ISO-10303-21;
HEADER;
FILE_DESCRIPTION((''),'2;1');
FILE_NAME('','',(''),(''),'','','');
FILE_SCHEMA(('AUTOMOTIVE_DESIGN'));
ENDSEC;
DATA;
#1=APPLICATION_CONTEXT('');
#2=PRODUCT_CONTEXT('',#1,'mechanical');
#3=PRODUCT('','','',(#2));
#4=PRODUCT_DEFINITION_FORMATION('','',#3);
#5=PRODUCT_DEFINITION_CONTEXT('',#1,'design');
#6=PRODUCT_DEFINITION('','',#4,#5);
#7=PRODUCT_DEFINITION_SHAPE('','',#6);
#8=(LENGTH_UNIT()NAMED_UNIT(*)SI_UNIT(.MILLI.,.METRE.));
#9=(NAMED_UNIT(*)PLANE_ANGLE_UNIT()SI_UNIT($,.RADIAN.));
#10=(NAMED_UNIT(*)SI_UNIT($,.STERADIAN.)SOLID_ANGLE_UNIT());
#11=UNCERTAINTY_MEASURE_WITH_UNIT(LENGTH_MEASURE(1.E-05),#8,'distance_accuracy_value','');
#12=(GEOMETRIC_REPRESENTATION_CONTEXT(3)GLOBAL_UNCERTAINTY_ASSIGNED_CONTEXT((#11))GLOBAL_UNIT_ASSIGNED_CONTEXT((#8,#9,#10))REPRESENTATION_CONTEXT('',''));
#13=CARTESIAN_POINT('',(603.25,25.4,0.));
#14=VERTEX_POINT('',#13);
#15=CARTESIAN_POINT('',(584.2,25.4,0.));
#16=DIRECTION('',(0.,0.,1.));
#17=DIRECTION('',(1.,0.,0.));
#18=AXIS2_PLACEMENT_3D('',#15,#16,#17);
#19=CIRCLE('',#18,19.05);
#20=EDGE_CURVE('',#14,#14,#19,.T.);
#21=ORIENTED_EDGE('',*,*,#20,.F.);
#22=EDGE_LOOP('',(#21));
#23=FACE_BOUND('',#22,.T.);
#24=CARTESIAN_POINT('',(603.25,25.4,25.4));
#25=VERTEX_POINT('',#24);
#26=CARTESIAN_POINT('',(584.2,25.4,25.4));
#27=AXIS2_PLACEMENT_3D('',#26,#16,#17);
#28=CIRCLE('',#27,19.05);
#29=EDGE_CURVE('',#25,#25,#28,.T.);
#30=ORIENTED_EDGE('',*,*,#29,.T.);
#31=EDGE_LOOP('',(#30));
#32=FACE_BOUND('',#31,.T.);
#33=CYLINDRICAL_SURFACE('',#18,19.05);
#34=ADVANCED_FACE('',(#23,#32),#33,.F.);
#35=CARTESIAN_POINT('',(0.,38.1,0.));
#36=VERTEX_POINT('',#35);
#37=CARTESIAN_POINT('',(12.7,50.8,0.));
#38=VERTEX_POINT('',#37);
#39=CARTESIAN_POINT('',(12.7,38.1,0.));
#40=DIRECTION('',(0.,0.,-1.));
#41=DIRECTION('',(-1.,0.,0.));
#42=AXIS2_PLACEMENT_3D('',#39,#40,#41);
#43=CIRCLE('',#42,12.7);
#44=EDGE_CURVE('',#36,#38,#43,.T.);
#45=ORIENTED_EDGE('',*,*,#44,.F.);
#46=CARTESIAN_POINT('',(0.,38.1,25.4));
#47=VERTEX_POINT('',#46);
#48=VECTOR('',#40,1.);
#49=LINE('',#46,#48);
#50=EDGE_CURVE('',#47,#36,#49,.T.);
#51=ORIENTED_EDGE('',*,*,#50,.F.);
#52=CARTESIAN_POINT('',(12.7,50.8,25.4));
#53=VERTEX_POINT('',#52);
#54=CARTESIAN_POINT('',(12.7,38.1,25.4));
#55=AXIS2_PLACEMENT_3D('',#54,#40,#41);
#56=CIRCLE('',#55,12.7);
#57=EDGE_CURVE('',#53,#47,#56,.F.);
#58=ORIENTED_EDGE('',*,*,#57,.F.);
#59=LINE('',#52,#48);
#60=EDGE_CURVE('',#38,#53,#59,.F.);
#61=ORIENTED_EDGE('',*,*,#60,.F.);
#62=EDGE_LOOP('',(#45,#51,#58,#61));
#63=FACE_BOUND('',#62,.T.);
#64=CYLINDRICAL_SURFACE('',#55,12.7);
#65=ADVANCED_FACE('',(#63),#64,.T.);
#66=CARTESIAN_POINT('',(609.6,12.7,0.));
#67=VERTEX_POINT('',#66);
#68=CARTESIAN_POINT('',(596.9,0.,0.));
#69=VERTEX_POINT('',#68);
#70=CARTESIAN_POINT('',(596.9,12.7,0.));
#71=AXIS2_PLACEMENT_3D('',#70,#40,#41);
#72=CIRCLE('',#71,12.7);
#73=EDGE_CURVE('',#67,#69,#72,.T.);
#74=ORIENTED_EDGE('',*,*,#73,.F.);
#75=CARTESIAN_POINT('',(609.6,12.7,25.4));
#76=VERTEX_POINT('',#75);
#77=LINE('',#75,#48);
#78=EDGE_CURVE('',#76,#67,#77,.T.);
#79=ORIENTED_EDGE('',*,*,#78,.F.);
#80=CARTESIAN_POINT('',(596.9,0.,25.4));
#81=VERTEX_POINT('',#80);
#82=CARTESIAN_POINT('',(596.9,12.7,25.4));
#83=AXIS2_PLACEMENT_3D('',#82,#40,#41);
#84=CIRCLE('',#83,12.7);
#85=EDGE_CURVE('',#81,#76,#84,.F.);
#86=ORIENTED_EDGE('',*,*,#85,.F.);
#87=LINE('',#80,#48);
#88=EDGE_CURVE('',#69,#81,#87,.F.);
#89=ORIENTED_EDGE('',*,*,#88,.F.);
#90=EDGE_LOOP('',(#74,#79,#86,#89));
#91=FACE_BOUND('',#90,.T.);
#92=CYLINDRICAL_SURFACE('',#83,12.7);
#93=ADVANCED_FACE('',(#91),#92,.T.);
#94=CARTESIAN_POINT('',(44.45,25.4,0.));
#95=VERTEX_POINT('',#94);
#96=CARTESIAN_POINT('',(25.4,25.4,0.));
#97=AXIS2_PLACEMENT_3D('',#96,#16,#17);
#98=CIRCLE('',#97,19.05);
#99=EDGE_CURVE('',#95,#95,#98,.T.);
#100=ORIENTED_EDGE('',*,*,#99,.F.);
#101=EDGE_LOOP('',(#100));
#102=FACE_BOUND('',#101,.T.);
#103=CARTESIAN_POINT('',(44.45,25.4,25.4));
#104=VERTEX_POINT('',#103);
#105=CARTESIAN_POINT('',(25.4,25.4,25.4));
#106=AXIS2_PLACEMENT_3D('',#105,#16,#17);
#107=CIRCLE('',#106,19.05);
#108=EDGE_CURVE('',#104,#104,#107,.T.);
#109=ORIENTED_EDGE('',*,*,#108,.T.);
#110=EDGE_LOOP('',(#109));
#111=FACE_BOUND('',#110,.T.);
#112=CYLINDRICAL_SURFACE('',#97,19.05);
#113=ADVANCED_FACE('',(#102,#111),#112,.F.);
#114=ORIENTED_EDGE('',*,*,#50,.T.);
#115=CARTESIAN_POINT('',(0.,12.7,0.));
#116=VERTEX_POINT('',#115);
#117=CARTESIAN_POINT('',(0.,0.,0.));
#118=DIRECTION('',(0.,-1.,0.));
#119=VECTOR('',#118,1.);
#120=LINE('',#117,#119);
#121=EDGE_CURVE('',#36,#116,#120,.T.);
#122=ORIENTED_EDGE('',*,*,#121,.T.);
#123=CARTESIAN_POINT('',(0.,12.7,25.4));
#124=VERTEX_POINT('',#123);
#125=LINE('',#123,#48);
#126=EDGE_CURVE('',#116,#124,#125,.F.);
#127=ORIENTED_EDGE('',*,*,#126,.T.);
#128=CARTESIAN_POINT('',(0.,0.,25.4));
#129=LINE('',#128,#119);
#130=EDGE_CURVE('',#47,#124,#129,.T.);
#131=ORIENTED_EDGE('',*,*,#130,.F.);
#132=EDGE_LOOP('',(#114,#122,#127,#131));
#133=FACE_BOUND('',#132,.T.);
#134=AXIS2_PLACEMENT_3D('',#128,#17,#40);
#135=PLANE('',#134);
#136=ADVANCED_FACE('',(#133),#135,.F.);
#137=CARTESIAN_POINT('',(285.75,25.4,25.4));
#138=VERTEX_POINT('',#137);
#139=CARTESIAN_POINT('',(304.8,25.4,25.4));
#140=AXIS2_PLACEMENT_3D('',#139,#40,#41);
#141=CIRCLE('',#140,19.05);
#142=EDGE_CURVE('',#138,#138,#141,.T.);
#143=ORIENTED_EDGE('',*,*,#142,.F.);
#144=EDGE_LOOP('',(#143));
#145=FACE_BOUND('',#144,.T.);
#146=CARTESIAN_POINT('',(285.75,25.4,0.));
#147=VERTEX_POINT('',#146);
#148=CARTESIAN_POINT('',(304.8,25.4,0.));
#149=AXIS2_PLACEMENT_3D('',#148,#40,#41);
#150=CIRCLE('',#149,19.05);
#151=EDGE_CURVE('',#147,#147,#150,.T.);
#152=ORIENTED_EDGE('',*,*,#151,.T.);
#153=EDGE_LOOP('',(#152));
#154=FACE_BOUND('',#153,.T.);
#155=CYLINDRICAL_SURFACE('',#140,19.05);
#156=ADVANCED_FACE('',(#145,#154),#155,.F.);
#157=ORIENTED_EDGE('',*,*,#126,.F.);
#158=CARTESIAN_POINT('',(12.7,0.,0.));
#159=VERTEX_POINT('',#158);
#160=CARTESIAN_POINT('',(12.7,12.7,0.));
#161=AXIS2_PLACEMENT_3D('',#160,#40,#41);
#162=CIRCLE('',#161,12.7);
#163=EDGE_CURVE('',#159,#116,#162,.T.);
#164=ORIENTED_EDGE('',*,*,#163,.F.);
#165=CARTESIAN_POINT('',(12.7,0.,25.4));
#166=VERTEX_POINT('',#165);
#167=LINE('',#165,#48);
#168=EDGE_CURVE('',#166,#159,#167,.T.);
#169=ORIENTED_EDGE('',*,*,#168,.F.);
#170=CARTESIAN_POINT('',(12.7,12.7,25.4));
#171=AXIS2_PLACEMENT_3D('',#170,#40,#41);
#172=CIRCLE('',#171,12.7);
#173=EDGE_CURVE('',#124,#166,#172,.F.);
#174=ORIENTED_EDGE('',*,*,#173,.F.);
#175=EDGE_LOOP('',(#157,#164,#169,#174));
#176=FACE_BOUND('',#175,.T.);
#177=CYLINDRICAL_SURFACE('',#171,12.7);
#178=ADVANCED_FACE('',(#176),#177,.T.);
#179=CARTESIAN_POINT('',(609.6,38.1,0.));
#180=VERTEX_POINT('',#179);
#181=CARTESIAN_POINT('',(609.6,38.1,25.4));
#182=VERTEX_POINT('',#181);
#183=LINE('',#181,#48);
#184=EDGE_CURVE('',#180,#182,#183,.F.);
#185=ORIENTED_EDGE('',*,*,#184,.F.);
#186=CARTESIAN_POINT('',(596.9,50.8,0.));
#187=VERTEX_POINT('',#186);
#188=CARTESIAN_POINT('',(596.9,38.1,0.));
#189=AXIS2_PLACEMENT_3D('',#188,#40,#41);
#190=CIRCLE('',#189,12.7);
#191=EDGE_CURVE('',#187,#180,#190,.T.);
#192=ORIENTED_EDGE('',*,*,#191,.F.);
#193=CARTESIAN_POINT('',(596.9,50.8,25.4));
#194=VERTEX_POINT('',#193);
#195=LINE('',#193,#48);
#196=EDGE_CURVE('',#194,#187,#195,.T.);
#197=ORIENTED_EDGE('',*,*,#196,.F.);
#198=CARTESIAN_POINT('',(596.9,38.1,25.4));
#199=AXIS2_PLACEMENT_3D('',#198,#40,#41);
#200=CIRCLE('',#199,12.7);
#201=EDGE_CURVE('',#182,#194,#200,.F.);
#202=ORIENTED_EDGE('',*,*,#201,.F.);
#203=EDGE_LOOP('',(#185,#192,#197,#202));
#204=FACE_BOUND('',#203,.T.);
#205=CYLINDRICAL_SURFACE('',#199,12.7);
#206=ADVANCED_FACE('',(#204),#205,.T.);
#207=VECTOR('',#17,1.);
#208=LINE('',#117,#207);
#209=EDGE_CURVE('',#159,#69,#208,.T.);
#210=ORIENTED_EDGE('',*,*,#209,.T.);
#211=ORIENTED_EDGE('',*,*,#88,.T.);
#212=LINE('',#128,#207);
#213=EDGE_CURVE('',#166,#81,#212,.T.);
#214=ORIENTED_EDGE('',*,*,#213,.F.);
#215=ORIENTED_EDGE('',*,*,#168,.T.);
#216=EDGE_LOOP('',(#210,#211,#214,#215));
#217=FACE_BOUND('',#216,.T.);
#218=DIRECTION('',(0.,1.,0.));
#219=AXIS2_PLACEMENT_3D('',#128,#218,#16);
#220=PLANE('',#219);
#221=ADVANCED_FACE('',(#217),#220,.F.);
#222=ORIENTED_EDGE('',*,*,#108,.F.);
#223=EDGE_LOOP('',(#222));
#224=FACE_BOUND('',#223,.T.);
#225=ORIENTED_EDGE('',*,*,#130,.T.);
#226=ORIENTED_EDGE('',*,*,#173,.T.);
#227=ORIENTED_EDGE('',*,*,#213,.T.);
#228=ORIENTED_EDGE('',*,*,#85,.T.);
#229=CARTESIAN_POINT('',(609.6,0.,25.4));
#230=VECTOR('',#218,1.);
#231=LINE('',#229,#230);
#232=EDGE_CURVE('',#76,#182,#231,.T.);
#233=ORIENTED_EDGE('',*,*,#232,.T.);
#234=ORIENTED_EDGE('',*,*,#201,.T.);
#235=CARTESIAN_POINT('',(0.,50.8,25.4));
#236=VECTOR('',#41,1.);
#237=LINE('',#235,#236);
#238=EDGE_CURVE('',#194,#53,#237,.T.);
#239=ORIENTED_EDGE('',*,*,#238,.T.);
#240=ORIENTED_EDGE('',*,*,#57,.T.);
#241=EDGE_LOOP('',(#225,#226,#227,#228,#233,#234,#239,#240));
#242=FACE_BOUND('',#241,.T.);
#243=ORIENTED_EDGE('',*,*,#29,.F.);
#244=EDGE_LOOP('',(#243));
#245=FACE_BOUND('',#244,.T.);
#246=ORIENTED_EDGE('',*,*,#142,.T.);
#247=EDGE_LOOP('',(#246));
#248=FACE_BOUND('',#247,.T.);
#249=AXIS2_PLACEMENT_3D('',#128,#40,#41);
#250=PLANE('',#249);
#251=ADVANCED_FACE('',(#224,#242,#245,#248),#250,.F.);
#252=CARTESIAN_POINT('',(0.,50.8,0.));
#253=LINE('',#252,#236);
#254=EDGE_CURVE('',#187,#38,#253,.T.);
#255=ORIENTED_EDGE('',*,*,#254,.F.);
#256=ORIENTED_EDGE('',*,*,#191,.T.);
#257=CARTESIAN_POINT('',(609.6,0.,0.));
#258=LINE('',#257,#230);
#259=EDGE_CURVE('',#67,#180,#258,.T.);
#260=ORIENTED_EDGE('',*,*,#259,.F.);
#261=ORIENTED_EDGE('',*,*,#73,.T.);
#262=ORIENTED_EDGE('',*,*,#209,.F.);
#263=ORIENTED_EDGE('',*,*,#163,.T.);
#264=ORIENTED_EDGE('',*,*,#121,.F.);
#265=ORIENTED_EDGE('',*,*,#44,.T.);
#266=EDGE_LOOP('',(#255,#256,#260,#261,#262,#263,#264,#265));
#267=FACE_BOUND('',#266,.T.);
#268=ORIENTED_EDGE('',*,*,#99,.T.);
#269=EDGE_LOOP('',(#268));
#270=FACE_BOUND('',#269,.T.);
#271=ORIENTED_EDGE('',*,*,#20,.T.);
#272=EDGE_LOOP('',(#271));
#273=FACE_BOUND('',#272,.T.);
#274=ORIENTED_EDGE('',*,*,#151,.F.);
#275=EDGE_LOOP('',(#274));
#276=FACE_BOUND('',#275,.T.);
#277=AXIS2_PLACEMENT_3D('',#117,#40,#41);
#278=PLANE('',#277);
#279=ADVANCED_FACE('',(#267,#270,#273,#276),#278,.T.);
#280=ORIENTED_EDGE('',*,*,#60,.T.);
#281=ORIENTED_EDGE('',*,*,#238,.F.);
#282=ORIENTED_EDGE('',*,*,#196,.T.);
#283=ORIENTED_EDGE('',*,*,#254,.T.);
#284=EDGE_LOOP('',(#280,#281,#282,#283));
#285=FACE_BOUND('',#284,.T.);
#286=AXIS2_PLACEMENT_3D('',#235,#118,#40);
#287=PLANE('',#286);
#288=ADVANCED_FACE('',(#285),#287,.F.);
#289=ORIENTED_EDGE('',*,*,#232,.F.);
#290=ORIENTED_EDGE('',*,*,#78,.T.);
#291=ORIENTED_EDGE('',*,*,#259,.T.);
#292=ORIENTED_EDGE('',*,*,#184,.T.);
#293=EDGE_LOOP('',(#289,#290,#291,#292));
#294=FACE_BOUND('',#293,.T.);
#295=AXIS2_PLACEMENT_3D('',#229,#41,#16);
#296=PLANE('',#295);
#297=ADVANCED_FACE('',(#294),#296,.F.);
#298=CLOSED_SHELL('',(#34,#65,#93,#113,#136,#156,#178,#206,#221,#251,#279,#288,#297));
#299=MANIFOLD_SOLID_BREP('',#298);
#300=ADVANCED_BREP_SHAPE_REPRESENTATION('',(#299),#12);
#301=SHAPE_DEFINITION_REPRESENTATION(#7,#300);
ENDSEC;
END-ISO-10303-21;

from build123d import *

# Parameters (mm, degrees)
SKETCH1_W           = 609.6
SKETCH1_H           = 50.8
BOSS_EXTRUDE1_DEPTH = 25.4
FILLET1_R           = 12.7
SKETCH4_R           = 19.05
CUT_EXTRUDE1_DEPTH  = 613.240116294
SKETCH5_R           = 19.05
CUT_EXTRUDE2_DEPTH  = 613.240116294
SKETCH2_R           = 19.05
CUT_EXTRUDE3_DEPTH  = 613.240116294


with BuildPart() as part:
    # Sketch1 → Boss-Extrude1 (new body)
    with BuildSketch(Plane.XY):
        with Locations((304.8, 25.4)):
            Rectangle(SKETCH1_W, SKETCH1_H)
    extrude(amount=BOSS_EXTRUDE1_DEPTH)

    # Fillet1
    fillet1_edges = [part.edges().sort_by_distance(p)[0] for p in [
        (0, 50.8, 12.7),
        (609.6, 50.8, 12.7),
        (609.6, 0, 12.7),
        (0, 0, 12.7),
    ]]
    fillet(fillet1_edges, radius=FILLET1_R)

    # Sketch4 → Cut-Extrude1 (cut, through all)
    with BuildSketch(Plane.XY.offset(25.4)):
        with Locations((584.2, 25.4)):
            Circle(SKETCH4_R)
    extrude(amount=-CUT_EXTRUDE1_DEPTH, mode=Mode.SUBTRACT)

    # Sketch5 → Cut-Extrude2 (cut, through all)
    with BuildSketch(Plane(origin=(0, 0, 0), x_dir=(-1, 0, 0), z_dir=(0, 0, -1))):
        with Locations((-304.8, 25.4)):
            Circle(SKETCH5_R)
    extrude(amount=-CUT_EXTRUDE2_DEPTH, mode=Mode.SUBTRACT)

    # Sketch2 → Cut-Extrude3 (cut, through all)
    with BuildSketch(Plane.XY.offset(25.4)):
        with Locations((25.4, 25.4)):
            Circle(SKETCH2_R)
    extrude(amount=-CUT_EXTRUDE3_DEPTH, mode=Mode.SUBTRACT)


solid = part.part
